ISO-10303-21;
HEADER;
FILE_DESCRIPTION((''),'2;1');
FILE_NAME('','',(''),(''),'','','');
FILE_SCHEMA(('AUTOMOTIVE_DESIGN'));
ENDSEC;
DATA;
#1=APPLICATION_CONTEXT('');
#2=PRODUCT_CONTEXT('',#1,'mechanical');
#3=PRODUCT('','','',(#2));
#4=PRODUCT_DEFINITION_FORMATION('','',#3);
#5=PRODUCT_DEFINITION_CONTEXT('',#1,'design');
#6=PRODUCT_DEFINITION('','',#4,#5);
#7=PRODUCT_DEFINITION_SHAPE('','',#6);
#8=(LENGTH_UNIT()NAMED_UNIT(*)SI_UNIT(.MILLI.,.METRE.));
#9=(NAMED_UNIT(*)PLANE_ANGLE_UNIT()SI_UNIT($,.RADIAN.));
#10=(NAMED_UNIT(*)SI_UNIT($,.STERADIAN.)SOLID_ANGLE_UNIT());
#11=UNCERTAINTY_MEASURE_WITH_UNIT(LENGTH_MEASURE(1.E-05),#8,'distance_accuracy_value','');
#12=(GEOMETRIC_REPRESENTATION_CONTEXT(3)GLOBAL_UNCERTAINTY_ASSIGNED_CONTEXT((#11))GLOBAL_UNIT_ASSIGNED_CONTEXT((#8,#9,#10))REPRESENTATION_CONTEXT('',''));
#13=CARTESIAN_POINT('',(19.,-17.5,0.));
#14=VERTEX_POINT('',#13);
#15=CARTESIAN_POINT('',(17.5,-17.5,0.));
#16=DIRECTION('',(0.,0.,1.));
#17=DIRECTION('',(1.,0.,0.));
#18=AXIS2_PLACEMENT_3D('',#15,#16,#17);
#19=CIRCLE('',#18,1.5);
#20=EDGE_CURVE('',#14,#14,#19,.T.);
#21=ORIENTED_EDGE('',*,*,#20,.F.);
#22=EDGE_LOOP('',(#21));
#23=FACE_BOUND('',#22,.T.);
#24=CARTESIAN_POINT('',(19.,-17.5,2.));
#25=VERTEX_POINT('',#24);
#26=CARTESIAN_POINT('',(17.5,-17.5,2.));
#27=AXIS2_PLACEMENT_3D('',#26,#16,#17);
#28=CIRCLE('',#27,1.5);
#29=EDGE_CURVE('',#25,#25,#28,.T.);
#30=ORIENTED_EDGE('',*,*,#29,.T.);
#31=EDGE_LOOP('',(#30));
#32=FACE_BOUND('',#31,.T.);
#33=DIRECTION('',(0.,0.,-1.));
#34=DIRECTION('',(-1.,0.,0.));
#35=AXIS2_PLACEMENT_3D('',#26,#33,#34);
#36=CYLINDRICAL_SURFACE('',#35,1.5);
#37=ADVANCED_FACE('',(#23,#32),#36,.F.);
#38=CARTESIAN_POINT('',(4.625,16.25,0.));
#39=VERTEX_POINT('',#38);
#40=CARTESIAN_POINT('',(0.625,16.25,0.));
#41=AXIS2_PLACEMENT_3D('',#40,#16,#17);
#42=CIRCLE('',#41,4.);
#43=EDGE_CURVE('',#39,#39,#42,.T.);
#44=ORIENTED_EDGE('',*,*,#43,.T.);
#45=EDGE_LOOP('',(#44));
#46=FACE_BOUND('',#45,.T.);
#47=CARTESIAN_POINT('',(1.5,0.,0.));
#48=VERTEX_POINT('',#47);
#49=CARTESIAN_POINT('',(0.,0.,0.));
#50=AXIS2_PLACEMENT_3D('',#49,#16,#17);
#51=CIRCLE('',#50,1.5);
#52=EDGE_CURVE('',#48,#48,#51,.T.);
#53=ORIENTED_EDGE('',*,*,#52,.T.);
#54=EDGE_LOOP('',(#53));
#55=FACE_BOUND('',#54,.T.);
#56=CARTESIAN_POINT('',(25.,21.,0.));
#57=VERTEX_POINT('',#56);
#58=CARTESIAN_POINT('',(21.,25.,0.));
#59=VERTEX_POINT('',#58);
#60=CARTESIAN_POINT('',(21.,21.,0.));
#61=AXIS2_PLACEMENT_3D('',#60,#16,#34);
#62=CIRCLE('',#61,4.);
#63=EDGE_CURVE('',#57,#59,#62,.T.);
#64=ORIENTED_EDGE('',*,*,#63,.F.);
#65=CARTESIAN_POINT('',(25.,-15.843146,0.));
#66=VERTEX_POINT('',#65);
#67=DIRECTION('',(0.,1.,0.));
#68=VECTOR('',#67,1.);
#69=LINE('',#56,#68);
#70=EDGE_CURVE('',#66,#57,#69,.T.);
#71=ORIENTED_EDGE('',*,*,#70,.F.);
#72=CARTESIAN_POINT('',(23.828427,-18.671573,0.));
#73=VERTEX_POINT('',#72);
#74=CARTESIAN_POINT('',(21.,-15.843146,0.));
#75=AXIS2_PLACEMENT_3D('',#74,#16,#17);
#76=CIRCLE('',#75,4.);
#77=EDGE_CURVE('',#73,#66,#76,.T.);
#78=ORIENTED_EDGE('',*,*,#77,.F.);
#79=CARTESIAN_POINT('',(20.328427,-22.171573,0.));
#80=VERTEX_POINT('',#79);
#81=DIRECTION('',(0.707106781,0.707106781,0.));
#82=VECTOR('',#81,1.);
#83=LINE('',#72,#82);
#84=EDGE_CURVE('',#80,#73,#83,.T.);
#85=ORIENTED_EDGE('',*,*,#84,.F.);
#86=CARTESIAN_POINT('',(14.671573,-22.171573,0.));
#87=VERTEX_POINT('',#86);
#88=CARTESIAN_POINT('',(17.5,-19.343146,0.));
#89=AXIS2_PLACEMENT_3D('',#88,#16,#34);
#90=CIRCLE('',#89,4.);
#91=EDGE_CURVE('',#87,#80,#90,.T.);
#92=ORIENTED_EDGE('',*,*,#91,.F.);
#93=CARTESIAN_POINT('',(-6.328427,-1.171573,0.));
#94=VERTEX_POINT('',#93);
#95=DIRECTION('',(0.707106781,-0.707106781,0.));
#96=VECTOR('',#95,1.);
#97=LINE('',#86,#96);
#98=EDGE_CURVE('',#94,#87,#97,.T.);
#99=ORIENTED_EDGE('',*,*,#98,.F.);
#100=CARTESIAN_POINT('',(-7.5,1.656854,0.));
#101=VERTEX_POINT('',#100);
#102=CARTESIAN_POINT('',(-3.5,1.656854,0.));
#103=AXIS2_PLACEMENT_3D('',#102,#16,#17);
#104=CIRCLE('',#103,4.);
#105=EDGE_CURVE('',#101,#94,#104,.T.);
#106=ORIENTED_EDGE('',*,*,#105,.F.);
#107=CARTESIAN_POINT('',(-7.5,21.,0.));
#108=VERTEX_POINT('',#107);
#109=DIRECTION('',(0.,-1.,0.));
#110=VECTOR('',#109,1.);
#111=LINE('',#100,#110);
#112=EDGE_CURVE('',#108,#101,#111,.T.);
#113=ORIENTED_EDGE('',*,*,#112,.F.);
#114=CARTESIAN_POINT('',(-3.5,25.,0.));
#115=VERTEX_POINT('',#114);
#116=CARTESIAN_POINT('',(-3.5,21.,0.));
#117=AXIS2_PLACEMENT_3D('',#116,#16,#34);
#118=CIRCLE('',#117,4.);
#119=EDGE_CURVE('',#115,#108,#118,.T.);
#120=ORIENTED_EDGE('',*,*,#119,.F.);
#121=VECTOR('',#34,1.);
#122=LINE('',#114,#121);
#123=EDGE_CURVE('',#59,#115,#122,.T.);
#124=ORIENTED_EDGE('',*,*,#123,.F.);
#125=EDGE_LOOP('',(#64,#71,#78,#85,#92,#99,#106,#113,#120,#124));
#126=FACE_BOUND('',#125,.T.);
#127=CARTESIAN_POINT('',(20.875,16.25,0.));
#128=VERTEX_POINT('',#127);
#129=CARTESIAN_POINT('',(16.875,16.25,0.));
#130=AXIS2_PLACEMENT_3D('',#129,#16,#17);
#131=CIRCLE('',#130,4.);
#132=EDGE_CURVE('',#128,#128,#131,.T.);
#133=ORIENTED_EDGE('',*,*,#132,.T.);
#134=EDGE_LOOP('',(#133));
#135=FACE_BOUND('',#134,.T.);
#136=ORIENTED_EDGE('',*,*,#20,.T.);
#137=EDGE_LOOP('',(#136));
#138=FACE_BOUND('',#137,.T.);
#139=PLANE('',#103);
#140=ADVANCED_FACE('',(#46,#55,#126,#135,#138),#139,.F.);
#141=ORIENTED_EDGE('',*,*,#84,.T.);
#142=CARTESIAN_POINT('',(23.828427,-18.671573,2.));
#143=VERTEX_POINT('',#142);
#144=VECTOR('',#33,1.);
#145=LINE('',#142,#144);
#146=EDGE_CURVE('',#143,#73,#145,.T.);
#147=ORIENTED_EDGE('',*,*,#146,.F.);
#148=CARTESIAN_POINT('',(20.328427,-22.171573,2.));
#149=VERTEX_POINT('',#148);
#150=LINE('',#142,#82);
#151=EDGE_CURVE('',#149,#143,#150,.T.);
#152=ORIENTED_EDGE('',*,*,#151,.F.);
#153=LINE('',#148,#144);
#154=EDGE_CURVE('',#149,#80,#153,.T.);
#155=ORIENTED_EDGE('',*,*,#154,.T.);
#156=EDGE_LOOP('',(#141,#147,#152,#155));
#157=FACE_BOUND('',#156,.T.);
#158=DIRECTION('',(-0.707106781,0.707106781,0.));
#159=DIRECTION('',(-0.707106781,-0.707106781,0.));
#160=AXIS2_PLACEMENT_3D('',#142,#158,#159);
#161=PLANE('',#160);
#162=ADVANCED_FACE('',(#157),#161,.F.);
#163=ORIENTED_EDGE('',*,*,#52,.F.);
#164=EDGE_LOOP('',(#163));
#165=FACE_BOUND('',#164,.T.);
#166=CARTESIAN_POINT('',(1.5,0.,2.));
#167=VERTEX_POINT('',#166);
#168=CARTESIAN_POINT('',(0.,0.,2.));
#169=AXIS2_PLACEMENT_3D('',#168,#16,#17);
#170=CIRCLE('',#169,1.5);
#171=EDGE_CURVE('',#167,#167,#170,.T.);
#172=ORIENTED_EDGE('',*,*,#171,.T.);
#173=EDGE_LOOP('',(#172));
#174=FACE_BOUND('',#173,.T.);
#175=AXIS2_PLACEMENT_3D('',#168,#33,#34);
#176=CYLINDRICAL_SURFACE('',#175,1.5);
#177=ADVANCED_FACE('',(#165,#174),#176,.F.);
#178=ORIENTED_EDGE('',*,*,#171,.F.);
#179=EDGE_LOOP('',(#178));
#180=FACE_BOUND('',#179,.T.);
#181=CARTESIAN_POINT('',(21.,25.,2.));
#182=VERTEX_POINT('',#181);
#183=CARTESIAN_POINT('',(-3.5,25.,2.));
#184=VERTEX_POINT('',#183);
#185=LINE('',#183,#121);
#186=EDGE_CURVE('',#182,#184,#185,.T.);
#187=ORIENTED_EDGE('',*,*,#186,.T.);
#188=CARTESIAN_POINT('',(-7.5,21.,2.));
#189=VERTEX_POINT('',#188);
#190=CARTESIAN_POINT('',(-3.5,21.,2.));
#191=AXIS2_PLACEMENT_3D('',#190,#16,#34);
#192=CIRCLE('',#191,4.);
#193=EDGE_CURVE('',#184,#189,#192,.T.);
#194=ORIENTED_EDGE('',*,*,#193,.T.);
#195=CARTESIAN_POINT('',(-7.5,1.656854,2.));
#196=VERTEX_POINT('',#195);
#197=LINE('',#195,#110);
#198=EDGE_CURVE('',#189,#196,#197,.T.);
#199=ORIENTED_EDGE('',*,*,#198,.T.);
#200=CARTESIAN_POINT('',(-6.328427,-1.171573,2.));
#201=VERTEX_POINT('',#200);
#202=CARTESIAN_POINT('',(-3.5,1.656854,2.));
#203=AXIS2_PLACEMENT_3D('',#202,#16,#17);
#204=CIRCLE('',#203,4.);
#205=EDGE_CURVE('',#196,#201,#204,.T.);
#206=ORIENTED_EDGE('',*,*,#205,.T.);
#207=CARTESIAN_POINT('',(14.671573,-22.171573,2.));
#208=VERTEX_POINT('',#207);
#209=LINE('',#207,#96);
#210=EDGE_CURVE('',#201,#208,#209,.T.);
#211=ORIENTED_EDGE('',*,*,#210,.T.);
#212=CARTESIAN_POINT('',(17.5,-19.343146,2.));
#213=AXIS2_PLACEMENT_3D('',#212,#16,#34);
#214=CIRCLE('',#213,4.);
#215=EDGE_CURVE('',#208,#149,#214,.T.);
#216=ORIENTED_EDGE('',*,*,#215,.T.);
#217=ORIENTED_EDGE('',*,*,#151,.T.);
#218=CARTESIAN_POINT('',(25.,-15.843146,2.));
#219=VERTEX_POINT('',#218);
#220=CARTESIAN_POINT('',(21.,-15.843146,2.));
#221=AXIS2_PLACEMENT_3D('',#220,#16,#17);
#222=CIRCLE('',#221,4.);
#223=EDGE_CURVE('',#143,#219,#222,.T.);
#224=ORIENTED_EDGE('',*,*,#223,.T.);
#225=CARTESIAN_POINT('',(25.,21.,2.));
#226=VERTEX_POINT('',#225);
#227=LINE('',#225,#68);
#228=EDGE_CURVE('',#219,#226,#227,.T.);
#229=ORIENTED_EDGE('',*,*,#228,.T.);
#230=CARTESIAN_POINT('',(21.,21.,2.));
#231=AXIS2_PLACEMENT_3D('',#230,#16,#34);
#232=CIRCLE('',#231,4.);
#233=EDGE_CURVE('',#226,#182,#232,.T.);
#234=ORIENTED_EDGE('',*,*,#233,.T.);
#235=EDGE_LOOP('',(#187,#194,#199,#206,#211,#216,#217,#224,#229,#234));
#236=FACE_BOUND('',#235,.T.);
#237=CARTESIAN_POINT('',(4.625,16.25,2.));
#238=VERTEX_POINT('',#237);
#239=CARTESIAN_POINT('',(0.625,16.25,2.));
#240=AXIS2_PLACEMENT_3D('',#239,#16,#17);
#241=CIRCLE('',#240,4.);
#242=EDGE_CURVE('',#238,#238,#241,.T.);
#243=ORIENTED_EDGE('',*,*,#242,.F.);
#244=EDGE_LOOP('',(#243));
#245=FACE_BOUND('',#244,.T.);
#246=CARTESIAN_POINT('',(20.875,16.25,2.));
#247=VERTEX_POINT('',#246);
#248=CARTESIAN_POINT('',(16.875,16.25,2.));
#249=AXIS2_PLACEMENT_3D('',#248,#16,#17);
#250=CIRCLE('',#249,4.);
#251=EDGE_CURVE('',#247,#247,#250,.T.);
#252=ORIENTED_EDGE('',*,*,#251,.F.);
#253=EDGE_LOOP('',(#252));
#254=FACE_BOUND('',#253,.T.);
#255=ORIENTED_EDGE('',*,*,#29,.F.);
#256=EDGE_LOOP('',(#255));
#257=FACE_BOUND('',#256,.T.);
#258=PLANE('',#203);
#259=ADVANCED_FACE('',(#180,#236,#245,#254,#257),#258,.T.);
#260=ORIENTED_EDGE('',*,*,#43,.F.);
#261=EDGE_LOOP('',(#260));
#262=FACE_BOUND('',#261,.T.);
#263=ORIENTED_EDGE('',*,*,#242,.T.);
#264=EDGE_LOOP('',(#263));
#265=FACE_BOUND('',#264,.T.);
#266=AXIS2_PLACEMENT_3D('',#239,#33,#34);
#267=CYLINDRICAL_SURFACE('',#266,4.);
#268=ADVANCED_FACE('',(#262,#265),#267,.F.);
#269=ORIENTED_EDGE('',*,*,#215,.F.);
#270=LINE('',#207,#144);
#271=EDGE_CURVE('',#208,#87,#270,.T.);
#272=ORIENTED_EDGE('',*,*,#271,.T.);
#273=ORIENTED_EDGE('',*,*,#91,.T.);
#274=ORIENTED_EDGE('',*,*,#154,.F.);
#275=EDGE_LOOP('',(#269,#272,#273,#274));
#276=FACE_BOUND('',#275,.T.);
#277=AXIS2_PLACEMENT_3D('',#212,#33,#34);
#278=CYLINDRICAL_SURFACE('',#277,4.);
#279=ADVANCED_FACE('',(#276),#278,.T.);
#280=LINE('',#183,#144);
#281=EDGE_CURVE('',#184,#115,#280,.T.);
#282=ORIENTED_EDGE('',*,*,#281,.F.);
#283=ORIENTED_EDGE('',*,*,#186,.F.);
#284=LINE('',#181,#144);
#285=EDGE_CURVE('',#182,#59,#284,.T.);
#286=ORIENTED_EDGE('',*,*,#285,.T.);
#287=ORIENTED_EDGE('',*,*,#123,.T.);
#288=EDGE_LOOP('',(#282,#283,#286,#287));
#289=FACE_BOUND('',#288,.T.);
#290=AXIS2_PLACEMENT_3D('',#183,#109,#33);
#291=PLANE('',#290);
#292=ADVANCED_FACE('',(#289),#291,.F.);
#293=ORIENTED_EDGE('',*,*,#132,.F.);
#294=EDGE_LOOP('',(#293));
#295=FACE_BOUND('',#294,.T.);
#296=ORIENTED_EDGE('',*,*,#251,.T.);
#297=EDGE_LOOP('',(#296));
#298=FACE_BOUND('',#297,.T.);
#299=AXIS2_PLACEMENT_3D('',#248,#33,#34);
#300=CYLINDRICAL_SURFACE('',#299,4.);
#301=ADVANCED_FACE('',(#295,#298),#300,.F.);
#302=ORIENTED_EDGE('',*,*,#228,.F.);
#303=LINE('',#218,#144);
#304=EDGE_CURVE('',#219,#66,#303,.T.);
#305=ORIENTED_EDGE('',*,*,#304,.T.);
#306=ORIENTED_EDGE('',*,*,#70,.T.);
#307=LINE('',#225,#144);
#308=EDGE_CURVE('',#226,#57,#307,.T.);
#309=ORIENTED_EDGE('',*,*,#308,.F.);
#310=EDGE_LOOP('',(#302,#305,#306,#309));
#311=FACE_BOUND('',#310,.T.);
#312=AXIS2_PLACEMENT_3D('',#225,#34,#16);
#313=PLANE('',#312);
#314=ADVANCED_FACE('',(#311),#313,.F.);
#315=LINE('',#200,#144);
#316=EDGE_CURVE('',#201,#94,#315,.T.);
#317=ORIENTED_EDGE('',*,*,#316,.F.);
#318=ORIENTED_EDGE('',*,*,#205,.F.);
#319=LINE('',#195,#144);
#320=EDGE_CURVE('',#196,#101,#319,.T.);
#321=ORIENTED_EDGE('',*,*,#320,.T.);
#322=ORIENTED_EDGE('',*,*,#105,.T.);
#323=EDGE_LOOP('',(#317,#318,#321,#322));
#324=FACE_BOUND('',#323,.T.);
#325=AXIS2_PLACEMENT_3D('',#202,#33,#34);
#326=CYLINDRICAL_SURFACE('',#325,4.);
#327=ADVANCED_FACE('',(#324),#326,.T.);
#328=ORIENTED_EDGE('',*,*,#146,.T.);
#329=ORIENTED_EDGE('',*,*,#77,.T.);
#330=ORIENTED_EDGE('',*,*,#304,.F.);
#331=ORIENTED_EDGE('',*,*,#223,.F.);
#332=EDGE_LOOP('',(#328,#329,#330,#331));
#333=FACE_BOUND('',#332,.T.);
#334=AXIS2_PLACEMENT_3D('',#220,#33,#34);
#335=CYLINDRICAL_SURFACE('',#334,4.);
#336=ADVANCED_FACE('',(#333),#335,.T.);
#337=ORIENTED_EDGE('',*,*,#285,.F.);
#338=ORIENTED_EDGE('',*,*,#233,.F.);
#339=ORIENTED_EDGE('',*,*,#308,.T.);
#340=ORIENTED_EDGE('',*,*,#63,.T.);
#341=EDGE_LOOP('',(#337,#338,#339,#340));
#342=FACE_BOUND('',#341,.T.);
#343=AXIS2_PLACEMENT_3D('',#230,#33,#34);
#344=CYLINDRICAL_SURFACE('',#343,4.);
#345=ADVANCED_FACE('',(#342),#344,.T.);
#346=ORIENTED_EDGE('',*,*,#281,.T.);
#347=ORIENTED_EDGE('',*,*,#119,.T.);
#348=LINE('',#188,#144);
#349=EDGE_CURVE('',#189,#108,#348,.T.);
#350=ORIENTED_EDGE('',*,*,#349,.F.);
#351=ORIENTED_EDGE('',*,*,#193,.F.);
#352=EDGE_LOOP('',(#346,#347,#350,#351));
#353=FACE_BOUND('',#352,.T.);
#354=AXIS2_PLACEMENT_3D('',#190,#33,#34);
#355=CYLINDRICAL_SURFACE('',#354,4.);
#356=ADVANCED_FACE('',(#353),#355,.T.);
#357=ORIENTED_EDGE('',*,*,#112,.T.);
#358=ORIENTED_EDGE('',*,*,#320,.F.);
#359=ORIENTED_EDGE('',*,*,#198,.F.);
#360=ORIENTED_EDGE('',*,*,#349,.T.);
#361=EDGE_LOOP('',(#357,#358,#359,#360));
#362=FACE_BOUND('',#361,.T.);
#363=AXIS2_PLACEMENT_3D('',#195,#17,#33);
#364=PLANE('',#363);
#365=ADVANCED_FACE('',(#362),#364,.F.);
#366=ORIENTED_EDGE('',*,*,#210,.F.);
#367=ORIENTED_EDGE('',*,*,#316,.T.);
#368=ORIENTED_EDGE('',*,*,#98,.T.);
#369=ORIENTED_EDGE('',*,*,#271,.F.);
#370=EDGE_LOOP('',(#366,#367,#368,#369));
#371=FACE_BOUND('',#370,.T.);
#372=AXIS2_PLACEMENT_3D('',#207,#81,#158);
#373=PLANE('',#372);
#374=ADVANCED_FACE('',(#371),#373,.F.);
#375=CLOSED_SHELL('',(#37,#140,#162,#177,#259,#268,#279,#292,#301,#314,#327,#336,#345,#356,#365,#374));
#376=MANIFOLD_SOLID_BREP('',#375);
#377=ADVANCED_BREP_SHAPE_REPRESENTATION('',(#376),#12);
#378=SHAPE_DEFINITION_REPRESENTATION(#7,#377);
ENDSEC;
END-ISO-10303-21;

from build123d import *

# Parameters (mm, degrees)
CROQUIS1_R              = 1.5
CROQUIS1_R_2            = 4
SALIENTE_EXTRUIR1_DEPTH = 2


with BuildPart() as part:
    # Croquis1 → Saliente-Extruir1 (new body)
    with BuildSketch(Plane.XY):
        with BuildLine():
            Line((23.828427125, -18.671572875), (20.328427125, -22.171572875))
            ThreePointArc((20.328427125, -22.171572875), (17.5, -23.343145751), (14.671572875, -22.171572875))
            Line((14.671572875, -22.171572875), (-6.328427125, -1.171572875))
            ThreePointArc((-6.328427125, -1.171572875), (-7.19551813, 0.12612052), (-7.5, 1.656854249))
            Line((-7.5, 1.656854249), (-7.5, 21))
            ThreePointArc((-7.5, 21), (-6.328427125, 23.828427125), (-3.5, 25))
            Line((-3.5, 25), (21, 25))
            ThreePointArc((21, 25), (23.828427125, 23.828427125), (25, 21))
            Line((25, 21), (25, -15.843145751))
            ThreePointArc((25, -15.843145751), (24.69551813, -17.37387948), (23.828427125, -18.671572875))
        make_face()
        Circle(CROQUIS1_R, mode=Mode.SUBTRACT)
        with Locations((17.5, -17.5)):
            Circle(CROQUIS1_R, mode=Mode.SUBTRACT)
        with Locations((0.625, 16.25)):
            Circle(CROQUIS1_R_2, mode=Mode.SUBTRACT)
        with Locations((16.875, 16.25)):
            Circle(CROQUIS1_R_2, mode=Mode.SUBTRACT)
    extrude(amount=SALIENTE_EXTRUIR1_DEPTH)


solid = part.part
